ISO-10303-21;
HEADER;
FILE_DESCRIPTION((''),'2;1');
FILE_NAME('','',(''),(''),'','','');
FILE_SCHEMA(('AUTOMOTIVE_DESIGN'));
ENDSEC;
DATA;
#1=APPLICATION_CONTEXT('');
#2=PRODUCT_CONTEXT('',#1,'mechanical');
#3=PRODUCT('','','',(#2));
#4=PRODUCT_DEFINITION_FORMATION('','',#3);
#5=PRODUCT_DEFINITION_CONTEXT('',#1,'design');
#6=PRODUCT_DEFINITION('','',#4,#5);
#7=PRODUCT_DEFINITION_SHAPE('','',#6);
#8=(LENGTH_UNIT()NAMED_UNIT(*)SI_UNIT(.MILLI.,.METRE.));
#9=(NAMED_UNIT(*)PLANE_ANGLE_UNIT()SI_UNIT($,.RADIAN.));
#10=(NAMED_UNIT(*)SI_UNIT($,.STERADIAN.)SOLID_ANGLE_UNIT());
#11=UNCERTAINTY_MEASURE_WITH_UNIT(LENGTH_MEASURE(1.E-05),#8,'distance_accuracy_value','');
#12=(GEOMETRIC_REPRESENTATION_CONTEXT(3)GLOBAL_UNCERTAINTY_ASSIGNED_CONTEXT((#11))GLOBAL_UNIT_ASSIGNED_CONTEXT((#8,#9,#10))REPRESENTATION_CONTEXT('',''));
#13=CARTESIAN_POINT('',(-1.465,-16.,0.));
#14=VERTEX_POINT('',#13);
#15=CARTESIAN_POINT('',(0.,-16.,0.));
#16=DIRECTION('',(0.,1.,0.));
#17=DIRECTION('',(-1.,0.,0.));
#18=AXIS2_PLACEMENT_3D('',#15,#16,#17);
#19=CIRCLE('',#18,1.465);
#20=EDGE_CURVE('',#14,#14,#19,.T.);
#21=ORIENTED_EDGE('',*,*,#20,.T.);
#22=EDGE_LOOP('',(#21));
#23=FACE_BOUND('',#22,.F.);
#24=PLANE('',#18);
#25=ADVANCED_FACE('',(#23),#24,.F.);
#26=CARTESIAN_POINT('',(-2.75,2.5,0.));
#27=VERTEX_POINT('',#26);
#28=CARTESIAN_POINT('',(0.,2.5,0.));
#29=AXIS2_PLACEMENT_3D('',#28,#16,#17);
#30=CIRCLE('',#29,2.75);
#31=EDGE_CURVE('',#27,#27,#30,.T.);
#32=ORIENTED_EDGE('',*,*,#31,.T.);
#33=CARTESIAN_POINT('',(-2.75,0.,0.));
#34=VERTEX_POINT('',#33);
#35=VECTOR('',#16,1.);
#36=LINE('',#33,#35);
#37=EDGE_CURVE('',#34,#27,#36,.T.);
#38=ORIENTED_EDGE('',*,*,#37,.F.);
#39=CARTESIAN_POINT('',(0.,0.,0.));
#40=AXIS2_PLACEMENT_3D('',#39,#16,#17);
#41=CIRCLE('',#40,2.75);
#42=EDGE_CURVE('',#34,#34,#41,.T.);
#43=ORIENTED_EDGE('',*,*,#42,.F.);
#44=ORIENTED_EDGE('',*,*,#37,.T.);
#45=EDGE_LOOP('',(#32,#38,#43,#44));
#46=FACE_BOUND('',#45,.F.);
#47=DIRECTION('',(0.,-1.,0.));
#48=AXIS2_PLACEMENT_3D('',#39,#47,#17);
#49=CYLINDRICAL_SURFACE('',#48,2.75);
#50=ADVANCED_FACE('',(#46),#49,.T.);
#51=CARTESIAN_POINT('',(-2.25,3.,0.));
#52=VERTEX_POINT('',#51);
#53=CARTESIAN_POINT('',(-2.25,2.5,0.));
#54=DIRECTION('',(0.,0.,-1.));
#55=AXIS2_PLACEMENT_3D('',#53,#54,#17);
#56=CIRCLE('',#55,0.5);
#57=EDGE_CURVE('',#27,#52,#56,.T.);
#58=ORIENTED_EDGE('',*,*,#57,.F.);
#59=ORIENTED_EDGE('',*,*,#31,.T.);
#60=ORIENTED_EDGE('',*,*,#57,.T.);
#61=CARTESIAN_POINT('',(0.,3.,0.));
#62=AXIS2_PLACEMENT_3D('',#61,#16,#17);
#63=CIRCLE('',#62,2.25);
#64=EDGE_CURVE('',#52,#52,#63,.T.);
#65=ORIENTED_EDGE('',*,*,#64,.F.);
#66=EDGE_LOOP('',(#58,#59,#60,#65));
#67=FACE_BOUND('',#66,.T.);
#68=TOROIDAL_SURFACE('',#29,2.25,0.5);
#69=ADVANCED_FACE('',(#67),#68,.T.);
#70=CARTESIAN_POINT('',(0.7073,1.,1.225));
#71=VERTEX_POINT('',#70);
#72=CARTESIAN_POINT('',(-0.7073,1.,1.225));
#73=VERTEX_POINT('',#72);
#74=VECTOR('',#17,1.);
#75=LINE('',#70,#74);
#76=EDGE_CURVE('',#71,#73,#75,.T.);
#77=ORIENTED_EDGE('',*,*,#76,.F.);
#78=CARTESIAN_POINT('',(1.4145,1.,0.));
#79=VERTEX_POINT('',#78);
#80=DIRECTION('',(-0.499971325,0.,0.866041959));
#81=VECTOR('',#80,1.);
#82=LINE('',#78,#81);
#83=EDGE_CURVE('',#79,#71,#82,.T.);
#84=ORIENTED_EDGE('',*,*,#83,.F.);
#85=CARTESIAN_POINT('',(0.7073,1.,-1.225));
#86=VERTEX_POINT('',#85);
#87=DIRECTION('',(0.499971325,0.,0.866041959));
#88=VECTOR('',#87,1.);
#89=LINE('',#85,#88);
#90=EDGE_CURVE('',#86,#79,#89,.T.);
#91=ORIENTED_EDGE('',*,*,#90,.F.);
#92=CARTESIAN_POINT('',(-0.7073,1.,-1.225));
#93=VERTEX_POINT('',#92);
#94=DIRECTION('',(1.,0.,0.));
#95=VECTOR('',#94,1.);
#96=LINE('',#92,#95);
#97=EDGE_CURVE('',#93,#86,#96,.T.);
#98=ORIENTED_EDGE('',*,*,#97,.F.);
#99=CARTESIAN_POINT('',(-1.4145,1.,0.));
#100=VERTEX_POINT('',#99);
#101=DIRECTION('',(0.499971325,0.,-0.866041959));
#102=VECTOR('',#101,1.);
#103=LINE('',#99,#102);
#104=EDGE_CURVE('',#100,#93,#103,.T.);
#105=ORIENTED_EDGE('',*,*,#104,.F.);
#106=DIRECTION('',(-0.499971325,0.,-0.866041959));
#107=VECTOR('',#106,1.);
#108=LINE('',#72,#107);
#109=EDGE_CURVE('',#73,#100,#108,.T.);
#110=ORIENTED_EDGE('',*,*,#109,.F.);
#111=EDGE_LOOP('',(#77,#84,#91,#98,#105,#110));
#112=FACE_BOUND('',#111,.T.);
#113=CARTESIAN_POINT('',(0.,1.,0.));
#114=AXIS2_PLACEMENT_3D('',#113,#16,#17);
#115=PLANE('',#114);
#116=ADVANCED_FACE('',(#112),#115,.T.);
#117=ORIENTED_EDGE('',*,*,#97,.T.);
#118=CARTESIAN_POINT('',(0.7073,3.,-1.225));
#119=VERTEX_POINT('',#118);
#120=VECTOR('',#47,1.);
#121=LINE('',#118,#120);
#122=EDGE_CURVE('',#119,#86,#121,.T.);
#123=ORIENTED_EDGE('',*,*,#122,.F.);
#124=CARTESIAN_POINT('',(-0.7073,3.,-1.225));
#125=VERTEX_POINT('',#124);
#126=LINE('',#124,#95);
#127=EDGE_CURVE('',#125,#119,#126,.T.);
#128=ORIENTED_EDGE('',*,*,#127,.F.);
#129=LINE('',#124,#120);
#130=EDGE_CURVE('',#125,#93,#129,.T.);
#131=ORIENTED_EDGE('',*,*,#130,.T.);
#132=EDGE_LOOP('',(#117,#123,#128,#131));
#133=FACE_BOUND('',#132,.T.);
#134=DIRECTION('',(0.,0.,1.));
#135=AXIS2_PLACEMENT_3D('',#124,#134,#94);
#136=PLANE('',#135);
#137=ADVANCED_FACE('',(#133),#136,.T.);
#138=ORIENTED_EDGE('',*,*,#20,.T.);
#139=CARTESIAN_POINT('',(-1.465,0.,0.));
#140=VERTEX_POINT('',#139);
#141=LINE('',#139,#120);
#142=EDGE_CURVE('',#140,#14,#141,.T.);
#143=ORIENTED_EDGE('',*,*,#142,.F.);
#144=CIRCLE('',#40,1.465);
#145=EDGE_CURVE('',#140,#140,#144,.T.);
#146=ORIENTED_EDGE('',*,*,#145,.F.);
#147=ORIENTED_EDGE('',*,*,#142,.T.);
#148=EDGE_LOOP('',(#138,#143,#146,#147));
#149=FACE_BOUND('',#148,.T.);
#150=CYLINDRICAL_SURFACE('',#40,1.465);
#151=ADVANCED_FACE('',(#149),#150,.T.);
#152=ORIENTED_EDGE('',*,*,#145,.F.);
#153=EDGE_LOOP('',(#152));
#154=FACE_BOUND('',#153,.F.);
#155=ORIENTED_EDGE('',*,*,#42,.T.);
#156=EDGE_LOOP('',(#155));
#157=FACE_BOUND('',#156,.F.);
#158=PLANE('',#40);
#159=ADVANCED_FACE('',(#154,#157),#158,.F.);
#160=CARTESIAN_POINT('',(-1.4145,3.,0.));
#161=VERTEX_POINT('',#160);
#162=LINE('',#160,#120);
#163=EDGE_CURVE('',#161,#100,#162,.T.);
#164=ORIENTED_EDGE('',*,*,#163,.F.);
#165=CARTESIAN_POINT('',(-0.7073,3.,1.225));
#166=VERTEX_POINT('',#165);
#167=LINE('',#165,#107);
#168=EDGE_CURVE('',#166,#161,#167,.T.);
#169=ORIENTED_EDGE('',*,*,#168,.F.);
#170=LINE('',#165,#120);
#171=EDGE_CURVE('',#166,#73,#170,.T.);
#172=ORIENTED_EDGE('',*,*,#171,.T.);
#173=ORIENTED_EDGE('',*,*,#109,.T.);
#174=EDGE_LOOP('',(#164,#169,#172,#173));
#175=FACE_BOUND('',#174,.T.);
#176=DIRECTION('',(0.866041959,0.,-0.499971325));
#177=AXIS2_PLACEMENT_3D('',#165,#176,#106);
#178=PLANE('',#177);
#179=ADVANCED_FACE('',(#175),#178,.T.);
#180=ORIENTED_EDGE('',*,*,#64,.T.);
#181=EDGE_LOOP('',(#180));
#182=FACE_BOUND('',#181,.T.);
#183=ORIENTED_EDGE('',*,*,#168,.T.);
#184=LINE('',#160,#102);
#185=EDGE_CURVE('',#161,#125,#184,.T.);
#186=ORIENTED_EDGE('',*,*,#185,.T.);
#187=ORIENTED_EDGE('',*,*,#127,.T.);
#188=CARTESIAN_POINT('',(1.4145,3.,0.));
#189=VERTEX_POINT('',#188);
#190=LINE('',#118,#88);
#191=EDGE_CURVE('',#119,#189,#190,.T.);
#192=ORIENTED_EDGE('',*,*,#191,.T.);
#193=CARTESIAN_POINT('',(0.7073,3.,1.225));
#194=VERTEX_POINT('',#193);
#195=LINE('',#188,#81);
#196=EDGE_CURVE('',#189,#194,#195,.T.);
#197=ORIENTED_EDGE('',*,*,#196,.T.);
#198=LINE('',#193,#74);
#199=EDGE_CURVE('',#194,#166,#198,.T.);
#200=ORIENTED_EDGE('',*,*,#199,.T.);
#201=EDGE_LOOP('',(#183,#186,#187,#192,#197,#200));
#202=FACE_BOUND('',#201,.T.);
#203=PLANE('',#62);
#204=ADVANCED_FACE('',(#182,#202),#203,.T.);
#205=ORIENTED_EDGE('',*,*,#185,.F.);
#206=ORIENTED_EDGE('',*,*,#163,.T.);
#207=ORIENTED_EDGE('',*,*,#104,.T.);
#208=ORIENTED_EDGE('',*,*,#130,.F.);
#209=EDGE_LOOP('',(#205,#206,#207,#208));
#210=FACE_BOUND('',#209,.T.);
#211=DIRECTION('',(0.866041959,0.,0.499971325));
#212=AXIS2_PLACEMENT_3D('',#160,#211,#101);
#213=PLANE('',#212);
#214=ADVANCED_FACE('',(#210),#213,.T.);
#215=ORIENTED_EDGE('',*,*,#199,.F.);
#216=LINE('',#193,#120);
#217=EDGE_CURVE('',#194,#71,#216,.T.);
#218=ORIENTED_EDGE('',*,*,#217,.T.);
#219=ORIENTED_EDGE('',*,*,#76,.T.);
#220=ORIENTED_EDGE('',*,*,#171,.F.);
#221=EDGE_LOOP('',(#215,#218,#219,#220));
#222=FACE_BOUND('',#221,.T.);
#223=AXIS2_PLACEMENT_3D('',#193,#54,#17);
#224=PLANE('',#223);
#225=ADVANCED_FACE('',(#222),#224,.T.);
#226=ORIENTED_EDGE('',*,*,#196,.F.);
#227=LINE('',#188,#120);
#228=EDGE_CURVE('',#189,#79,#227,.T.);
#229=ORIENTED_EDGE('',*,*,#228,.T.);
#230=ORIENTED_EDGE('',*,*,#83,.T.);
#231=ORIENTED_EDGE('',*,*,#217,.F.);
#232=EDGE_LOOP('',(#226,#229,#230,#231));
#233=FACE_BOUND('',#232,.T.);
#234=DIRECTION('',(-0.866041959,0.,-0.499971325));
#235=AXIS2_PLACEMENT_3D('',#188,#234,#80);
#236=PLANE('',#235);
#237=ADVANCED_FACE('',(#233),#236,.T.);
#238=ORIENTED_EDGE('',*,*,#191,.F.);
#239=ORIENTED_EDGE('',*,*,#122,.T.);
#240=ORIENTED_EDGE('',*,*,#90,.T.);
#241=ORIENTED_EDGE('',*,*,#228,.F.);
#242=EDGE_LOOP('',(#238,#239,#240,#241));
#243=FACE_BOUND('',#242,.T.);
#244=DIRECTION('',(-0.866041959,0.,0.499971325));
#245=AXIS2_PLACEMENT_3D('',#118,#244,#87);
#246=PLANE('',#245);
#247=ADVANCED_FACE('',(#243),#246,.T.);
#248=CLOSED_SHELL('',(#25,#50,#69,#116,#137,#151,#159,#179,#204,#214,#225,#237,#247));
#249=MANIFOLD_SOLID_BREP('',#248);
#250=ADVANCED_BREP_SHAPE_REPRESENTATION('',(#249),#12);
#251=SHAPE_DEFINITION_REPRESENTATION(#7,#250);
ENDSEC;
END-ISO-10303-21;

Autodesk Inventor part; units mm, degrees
ref_plane "YZ Plane" through (0, 0, 0) normal (1, 0, 0) x (0, 1, 0)
ref_plane "XZ Plane" through (0, 0, 0) normal (0, 1, 0) x (-1, 0, 0)
ref_plane "XY Plane" through (0, 0, 0) normal (0, 0, 1) x (1, 0, 0)
sketch "Sketch1" plane through (0, 0, 0) normal (0, 1, 0) x (-1, 0, 0)
  circle A0 centre (0, 0) radius 1.465
  circle A1 centre (0, 0) radius 2.75
  line L0 (0.7073, -1.225) -> (-0.7073, -1.225)
  line L1 (-0.7073, -1.225) -> (-1.4145, 0)
  line L2 (-1.4145, 0) -> (-0.7073, 1.225)
  line L3 (-0.7073, 1.225) -> (0.7073, 1.225)
  line L4 (0.7073, 1.225) -> (1.4145, 0)
  line L5 (1.4145, 0) -> (0.7073, -1.225)
  dimension "d0" = 2.93
  dimension "d1" = 5.5
  dimension "d8" = 2.45
extrude "Extrusion1" add sketch "Sketch1" along normal blind 3 contours A0 | A1 | L0 L1 L2 L3 L4 L5
extrude "Extrusion2" add sketch "Sketch1" against normal blind 16 contours A0 | L0 L1 L2 L3 L4 L5
extrude "Extrusion3" cut sketch "Sketch1" against normal blind 2 from surface at 3 contours L0 L1 L2 L3 L4 L5
fillet "Fillet1" radius 0.5 1 edges at (2.75, 3, 0)
thread "Thread2" size "M3x0.5" class "6g" standard "ANSI Metric M Profile" full length
equation "\"d4\" = length"
equation "\"length\" = 16"
properties part number "M3x16"
